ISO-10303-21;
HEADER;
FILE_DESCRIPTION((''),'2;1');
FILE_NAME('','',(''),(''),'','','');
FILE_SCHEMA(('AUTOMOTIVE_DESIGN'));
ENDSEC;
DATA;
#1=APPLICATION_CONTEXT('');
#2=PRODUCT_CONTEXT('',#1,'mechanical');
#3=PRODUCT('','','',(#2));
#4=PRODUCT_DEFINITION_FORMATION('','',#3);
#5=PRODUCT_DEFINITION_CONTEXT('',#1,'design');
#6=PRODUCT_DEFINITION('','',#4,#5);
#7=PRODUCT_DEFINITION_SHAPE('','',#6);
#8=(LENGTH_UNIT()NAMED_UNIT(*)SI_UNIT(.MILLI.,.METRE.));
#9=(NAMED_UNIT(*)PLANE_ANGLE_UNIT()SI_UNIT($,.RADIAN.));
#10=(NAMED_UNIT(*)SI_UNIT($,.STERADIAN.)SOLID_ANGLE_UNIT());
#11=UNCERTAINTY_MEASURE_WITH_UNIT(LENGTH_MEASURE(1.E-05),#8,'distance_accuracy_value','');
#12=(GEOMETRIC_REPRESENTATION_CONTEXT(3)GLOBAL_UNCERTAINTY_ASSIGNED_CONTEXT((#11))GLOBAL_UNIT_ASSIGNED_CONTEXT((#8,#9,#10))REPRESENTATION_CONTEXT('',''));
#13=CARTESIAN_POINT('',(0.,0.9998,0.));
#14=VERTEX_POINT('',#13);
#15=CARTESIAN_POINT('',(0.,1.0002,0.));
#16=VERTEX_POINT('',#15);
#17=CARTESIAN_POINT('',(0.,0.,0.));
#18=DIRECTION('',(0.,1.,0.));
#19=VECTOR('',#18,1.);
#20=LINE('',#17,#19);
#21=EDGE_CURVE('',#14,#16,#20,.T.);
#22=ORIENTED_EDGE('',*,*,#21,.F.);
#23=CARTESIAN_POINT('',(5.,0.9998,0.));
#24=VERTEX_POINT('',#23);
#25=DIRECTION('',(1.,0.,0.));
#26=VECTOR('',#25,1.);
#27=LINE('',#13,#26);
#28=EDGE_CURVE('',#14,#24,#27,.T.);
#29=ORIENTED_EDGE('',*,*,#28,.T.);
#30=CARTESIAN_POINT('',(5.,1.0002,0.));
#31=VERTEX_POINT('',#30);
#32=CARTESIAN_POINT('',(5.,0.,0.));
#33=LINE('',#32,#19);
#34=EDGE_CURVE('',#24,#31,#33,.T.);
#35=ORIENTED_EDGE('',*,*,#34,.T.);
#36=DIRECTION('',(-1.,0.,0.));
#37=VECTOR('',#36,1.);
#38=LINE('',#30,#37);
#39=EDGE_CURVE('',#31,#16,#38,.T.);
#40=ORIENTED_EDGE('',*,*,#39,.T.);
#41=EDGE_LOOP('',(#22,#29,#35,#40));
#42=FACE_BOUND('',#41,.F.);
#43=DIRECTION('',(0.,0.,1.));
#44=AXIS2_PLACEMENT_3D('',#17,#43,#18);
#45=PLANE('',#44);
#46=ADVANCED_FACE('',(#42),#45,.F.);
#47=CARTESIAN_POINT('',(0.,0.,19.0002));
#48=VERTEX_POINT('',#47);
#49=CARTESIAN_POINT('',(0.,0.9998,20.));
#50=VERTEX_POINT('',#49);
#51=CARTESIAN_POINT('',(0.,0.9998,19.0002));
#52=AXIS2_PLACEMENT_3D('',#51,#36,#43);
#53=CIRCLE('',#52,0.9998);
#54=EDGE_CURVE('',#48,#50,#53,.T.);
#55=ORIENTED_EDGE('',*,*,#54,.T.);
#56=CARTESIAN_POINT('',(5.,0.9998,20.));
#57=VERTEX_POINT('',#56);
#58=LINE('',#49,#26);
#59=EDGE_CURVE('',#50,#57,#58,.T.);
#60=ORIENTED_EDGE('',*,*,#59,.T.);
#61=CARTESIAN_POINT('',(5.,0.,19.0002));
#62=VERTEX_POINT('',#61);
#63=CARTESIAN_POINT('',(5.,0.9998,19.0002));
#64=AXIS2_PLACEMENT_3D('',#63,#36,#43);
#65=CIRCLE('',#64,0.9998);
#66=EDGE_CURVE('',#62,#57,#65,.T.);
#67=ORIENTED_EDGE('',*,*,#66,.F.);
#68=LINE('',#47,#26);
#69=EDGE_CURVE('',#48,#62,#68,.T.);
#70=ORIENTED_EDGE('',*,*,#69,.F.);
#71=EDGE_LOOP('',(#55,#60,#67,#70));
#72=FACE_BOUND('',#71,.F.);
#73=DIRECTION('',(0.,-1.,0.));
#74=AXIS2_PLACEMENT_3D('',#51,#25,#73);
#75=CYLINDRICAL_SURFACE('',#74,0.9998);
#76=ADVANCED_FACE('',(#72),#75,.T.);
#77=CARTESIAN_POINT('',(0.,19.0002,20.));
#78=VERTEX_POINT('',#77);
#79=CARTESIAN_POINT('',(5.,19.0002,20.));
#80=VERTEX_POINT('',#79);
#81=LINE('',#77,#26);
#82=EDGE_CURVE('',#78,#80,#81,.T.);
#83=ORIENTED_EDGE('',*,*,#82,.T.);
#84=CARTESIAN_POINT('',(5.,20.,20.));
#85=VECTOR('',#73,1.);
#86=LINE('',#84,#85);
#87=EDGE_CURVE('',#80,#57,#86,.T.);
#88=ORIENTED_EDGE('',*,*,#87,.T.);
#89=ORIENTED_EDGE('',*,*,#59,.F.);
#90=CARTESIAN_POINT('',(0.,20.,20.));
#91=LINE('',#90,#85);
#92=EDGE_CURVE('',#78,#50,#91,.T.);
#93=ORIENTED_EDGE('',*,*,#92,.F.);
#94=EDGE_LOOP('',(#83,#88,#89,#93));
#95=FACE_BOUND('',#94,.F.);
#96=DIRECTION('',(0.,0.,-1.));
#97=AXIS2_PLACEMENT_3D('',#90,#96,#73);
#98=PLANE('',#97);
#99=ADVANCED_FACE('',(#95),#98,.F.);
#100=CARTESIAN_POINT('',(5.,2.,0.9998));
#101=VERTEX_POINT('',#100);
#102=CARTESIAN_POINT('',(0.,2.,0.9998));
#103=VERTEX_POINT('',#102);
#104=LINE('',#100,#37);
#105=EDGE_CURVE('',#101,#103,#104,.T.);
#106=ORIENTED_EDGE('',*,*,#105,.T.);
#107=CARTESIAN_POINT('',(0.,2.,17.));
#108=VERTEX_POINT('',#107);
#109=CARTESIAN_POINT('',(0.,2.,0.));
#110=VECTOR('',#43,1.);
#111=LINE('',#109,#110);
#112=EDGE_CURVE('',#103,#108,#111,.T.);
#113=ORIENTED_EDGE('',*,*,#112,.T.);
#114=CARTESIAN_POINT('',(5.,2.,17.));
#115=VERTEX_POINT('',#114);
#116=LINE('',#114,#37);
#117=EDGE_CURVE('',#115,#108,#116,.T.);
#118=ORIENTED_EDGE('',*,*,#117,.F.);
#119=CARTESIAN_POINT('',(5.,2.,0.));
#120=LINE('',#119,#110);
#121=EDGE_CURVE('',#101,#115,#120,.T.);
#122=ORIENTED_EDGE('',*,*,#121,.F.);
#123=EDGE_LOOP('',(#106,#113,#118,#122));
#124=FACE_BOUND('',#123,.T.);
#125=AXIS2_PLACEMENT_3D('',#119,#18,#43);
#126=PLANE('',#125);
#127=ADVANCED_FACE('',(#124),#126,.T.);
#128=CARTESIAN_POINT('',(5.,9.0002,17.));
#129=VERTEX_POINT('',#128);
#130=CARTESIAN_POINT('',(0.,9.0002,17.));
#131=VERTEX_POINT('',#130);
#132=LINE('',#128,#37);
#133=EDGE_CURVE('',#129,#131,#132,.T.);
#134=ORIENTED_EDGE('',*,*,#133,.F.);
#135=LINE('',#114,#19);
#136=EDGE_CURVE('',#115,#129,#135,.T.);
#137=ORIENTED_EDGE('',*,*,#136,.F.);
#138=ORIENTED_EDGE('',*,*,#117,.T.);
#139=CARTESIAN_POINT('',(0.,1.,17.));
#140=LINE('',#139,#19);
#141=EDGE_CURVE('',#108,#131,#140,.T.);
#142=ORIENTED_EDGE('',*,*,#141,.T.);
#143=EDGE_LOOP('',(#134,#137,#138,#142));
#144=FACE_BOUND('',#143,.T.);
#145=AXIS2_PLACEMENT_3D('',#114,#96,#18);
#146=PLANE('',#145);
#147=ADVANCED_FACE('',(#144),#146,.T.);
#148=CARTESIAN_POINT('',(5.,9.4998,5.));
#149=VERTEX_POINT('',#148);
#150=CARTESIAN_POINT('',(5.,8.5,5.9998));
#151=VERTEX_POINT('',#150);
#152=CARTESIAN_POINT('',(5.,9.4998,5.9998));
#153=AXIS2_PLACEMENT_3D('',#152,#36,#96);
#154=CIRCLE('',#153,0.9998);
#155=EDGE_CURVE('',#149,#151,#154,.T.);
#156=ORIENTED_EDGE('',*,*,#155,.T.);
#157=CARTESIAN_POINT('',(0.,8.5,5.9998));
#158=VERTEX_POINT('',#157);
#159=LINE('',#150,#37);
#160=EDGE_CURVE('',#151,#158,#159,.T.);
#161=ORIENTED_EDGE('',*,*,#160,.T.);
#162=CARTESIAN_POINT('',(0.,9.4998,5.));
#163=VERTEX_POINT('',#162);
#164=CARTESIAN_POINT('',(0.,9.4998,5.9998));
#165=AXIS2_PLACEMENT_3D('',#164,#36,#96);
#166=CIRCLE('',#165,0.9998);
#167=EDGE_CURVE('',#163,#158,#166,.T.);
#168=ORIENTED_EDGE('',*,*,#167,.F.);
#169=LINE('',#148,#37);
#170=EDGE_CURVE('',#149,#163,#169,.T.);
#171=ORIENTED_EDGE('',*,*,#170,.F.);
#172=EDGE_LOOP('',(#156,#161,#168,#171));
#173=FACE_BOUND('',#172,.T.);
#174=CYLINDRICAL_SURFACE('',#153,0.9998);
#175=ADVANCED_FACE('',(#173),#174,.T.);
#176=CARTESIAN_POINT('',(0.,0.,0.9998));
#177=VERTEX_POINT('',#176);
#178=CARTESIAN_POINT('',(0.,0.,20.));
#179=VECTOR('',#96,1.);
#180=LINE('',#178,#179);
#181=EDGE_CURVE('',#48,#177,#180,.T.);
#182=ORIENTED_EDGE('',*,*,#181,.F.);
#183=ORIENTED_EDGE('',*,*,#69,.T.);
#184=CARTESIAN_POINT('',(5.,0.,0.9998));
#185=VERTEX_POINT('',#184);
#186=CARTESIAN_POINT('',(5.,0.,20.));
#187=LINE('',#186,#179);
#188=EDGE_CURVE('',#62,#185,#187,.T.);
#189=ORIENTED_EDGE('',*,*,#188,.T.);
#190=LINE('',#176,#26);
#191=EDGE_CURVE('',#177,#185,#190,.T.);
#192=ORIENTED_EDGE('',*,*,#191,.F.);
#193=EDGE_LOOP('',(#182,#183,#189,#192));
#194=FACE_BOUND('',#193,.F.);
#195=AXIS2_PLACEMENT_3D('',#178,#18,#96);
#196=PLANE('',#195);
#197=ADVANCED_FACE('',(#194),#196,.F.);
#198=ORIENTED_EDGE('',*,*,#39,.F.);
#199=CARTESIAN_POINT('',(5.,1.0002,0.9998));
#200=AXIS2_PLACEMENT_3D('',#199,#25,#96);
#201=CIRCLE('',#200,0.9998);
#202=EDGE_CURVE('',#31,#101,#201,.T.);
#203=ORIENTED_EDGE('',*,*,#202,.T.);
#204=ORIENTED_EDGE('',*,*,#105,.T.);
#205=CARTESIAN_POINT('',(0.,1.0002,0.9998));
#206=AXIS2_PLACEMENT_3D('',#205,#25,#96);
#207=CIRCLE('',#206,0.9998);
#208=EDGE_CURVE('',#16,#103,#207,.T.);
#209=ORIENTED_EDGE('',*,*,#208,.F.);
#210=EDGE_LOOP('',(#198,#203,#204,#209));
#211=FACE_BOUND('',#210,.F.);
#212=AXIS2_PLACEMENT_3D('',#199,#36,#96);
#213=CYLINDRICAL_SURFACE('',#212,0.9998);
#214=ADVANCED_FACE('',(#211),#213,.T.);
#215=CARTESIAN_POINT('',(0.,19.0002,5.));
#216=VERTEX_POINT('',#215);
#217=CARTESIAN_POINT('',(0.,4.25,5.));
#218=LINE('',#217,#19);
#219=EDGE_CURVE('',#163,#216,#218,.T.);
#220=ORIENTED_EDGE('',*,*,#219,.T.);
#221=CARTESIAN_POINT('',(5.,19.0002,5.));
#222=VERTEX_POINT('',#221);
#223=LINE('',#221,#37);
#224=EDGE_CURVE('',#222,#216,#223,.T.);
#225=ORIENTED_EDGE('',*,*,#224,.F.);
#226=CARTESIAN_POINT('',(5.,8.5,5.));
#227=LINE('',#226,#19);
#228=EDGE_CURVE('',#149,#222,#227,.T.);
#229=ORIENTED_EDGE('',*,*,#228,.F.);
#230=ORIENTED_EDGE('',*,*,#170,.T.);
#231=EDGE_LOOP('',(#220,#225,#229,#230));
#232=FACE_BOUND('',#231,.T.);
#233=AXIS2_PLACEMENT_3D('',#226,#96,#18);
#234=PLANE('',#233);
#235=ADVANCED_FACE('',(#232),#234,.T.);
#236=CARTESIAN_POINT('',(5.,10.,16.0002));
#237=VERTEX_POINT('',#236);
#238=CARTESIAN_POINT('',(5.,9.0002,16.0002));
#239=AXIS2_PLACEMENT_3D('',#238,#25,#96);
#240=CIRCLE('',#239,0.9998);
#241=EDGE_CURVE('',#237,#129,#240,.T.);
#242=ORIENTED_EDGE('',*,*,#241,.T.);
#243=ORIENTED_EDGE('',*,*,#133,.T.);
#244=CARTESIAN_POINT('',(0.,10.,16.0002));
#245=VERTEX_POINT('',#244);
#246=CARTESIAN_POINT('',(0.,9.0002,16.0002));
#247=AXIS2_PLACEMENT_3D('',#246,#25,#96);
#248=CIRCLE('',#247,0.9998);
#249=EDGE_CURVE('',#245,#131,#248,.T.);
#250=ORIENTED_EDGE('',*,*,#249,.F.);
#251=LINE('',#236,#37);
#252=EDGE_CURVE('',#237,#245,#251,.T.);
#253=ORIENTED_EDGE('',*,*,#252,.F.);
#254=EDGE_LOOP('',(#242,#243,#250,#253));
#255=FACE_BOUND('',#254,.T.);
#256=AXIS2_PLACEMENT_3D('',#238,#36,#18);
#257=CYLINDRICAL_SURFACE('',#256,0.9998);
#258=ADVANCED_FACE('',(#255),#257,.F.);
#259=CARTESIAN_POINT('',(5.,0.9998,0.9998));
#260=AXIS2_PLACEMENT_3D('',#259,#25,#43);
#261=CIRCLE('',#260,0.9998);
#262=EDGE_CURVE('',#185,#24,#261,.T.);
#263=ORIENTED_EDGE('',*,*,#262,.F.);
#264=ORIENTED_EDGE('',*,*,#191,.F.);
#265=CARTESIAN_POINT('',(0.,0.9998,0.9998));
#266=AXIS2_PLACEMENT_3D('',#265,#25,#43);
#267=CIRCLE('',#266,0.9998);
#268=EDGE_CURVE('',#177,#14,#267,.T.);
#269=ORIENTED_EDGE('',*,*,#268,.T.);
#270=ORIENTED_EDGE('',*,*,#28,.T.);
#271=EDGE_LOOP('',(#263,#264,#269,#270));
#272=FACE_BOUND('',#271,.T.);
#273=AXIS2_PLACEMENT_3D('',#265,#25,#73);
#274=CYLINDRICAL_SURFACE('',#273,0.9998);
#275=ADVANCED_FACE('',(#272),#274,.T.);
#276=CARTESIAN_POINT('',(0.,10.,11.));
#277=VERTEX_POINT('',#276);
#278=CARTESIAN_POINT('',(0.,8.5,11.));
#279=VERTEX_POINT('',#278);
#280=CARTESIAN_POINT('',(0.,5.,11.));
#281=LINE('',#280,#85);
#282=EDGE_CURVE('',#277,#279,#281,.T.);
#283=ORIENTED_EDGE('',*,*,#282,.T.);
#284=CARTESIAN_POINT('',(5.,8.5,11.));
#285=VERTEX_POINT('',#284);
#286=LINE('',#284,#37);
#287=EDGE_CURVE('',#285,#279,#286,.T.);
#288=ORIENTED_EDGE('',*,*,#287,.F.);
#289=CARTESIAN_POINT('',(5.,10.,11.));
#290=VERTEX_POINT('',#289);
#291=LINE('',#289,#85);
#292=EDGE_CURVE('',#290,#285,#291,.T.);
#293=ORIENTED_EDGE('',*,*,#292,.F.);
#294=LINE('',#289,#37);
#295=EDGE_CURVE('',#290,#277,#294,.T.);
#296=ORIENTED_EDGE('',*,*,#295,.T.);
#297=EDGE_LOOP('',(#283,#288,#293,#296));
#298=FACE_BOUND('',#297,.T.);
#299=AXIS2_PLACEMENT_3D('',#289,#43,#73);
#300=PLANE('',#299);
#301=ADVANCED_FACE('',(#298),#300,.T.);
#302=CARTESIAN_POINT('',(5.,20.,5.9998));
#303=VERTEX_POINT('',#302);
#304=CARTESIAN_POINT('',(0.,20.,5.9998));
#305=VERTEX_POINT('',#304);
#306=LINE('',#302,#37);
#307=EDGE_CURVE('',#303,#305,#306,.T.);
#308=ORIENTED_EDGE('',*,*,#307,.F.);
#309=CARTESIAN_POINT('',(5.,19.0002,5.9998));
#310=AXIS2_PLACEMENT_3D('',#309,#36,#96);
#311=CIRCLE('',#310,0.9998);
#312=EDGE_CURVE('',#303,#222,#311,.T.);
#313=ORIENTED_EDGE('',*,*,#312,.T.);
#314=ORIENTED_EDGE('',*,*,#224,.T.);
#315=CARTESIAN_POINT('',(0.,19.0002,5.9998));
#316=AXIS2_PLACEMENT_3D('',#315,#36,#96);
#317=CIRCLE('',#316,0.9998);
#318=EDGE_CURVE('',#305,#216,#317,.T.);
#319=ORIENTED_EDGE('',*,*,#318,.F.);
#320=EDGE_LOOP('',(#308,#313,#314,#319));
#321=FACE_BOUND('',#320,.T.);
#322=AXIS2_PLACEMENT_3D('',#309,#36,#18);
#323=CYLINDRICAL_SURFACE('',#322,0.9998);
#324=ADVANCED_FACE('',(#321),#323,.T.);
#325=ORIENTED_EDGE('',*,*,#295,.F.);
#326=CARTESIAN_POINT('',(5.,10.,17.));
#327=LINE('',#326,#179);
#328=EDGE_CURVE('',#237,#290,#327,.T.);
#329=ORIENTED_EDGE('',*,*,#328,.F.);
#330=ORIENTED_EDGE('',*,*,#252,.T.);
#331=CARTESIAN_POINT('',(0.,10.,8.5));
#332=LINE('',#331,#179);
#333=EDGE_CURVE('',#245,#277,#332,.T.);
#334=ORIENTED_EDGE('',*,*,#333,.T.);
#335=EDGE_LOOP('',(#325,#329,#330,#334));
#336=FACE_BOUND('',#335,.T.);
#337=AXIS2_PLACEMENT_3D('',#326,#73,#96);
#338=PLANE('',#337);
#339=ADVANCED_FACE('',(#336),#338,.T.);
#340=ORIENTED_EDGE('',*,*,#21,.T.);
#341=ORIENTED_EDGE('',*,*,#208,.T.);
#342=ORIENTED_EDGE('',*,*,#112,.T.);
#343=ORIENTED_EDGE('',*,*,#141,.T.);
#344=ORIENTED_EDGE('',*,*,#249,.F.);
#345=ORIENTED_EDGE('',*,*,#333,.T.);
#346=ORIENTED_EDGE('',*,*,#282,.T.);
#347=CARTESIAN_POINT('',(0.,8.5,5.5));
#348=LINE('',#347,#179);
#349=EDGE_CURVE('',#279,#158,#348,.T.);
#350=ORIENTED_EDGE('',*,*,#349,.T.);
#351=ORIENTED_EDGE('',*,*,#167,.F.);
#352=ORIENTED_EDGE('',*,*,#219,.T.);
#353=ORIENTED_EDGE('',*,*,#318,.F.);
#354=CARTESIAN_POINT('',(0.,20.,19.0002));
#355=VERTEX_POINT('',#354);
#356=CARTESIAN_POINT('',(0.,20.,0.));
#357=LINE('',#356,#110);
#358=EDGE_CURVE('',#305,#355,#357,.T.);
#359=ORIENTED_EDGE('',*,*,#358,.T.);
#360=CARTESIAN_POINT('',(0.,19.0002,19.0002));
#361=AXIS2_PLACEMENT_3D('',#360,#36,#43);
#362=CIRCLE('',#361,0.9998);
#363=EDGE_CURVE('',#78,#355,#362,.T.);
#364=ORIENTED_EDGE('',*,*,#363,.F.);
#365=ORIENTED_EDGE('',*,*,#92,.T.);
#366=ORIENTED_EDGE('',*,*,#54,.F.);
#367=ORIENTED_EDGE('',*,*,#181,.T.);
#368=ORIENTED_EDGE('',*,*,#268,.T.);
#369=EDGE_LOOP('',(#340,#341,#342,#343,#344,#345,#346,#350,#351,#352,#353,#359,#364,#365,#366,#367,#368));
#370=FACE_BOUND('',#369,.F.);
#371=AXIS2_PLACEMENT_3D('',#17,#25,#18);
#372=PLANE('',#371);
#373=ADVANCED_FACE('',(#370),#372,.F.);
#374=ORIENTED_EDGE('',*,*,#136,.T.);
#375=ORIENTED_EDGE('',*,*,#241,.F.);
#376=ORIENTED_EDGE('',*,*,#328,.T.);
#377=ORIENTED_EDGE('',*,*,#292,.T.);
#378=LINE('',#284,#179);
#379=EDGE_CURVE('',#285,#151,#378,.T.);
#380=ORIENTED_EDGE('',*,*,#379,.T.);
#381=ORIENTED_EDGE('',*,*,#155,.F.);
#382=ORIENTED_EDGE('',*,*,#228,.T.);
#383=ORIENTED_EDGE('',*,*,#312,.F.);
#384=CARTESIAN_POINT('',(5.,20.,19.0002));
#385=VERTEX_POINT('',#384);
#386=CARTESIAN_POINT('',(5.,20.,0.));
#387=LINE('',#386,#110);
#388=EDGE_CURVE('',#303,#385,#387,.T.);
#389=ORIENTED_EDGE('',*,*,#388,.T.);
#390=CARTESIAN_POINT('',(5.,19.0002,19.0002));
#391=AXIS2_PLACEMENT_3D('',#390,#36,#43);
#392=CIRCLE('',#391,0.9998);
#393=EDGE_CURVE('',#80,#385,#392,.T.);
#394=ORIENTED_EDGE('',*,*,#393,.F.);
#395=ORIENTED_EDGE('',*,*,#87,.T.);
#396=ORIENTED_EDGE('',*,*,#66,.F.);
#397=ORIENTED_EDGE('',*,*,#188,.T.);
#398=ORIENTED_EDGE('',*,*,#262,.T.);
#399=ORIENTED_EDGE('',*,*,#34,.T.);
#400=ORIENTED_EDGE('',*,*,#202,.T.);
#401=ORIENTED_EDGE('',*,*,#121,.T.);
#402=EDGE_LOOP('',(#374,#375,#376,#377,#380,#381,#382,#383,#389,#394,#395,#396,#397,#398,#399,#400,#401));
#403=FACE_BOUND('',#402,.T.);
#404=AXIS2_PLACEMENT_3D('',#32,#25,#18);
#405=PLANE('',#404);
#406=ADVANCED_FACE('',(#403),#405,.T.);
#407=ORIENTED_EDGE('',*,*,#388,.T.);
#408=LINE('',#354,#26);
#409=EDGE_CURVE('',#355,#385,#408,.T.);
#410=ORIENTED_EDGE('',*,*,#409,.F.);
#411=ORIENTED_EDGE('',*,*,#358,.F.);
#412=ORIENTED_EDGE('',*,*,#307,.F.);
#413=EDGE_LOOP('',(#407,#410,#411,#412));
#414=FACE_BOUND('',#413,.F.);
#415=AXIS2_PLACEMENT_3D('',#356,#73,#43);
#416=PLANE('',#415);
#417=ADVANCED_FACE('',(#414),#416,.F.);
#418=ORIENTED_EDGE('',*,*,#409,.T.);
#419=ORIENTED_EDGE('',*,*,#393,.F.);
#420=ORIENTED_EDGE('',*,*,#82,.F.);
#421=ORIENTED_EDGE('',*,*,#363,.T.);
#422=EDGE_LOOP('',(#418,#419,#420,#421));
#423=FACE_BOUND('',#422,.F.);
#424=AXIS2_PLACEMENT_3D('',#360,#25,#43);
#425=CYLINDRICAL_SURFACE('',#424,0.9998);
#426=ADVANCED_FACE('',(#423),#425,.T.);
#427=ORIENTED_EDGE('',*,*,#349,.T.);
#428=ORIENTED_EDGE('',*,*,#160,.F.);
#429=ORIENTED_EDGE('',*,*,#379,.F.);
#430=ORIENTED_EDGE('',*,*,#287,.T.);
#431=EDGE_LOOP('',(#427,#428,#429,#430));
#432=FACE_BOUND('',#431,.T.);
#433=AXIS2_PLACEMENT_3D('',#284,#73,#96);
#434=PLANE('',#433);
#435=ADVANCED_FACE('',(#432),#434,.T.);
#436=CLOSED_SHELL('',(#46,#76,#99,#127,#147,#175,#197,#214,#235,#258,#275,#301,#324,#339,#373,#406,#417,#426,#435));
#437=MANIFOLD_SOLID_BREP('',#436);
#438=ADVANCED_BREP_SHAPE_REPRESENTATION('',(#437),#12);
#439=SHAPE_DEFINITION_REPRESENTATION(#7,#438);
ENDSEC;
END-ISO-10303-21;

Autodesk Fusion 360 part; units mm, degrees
sketch "Sketch3" plane through (0, 0, 0) normal (1, 0, 0) x (0, 1, 0)
  line L0 (0, 0) -> (20, 0)
  line L1 (20, 0) -> (20, 20)
  line L2 (20, 20) -> (0, 20)
  line L3 (0, 20) -> (0, 0)
  dimension "d24" = 20
  dimension "d27" = 20
extrude "Extrude3" add sketch "Sketch3" along normal blind 5
sketch "Sketch4" plane through (5, 0, 0) normal (1, 0, 0) x (0, 1, 0)
  line L0 (0, 20) -> (0, 0)
  line L1 (0, 0) -> (20, 0)
  line L2 (20, 0) -> (20, 20)
  line L3 (20, 20) -> (0, 20)
  line L4 (2, 0) -> (2, 17)
  line L5 (2, 17) -> (10, 17)
  line L6 (10, 17) -> (10, 11)
  line L7 (10, 11) -> (8.5, 11)
  line L8 (8.5, 11) -> (8.5, 5)
  line L9 (8.5, 5) -> (20, 5)
  line L10 (20, 0) -> (2, 0)
  line L11 (20, 0) -> (20, 5)
  dimension "d30" = 8
  dimension "d31" = 2
  dimension "d32" = 6.5
  dimension "d33" = 12
  dimension "d35" = 6
  dimension "d36" = 5
extrude "Extrude4" cut sketch "Sketch4" against normal through all contours L1 L2 L4 L5 L6 L7 L8 L9 L10 L11
fillet "Fillet1" radius 1 7 edges at (2.5, 8.5, 5) (2.5, 10, 17) (2.5, 20, 5) (2.5, 20, 20) (2.5, 0, 20) (2.5, 0, 0) (2.5, 2, 0)
